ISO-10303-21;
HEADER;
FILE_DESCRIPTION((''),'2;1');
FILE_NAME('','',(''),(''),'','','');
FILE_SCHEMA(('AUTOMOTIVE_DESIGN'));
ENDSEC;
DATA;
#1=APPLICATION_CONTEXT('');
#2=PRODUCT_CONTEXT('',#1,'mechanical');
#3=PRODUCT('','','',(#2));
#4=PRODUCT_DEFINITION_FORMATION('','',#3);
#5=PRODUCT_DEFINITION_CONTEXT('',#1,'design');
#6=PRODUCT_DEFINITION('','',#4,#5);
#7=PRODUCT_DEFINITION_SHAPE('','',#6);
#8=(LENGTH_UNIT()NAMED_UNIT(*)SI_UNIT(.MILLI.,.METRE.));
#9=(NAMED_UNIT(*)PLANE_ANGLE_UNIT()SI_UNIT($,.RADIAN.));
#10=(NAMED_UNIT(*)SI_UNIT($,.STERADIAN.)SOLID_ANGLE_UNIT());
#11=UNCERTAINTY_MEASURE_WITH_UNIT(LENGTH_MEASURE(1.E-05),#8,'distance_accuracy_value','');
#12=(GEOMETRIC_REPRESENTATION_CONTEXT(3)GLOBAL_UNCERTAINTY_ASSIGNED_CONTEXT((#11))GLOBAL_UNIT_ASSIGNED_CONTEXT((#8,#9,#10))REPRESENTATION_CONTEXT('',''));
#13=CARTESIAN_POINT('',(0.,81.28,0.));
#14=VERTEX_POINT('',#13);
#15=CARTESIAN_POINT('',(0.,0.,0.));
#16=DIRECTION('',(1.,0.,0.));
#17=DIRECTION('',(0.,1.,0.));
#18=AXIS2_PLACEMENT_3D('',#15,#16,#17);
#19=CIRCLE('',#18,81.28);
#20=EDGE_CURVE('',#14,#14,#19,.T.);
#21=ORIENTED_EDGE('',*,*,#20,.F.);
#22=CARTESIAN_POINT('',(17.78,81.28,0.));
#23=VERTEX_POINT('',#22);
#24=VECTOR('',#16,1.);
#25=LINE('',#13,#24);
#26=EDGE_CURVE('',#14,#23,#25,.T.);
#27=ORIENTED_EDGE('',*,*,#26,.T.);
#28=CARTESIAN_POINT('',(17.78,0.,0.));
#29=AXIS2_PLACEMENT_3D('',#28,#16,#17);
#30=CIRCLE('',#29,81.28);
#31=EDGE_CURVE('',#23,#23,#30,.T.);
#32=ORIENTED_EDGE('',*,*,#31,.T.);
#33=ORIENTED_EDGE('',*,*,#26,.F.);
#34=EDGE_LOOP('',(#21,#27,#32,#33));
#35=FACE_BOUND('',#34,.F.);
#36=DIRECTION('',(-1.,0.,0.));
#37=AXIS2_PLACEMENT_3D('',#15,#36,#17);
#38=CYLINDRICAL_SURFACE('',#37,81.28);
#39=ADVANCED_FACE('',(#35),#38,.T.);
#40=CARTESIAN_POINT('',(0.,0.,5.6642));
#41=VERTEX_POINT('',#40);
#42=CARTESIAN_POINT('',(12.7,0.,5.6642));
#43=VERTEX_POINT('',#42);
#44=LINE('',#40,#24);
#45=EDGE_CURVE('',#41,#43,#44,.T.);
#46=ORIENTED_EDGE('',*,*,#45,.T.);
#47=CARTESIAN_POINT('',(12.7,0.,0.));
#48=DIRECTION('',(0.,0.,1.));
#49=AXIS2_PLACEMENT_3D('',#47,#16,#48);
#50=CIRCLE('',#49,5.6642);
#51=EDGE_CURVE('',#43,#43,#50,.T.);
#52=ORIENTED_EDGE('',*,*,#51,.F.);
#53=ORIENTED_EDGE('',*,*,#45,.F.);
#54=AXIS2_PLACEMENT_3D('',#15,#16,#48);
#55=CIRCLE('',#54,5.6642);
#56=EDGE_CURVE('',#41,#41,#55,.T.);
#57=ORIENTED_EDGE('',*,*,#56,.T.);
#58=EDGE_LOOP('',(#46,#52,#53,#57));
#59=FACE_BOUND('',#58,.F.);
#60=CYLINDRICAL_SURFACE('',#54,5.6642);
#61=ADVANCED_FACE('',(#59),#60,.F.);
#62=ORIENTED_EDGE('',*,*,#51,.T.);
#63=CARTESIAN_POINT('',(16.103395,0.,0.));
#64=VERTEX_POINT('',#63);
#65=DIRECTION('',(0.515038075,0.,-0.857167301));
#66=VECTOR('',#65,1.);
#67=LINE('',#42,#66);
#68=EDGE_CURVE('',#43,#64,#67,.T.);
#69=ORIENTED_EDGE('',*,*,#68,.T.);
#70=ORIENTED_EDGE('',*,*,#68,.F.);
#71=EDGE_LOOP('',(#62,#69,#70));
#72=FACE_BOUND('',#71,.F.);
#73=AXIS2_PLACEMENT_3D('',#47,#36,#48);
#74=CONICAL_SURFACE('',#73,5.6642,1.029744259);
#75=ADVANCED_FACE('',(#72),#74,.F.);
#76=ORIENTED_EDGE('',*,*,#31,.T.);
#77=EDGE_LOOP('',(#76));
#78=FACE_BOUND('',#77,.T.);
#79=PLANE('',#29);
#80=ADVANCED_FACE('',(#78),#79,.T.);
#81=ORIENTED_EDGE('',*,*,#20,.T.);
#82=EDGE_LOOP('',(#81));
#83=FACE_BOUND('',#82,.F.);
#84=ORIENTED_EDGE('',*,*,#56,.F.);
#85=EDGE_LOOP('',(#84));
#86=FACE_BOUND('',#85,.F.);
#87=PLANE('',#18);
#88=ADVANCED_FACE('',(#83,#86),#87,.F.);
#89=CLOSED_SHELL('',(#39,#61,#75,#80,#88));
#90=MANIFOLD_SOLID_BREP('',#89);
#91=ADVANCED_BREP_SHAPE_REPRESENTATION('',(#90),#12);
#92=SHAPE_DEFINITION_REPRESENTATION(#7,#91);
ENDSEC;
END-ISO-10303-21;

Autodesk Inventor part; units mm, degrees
ref_plane "YZ Plane" through (0, 0, 0) normal (1, 0, 0) x (0, 1, 0)
ref_plane "XZ Plane" through (0, 0, 0) normal (0, 1, 0) x (-1, 0, 0)
ref_plane "XY Plane" through (0, 0, 0) normal (0, 0, 1) x (1, 0, 0)
sketch "Sketch1" plane through (0, 0, 0) normal (1, 0, 0) x (0, 1, 0)
  circle A0 centre (0, 0) radius 81.28
  dimension "d0" = 162.56
extrude "Extrusion1" add sketch "Sketch1" along normal blind 17.78
sketch "Sketch2" plane through (0, 0, 0) normal (-1, 0, 0) x (0, 0, 1)
  circle A0 centre (0, 0) radius 81.28 projected
hole "Hole1" at (0, 0, 0) direction (1, 0, 0) diameter 11.3284 depth 12.7 tip angle 118 thread size "1/2-20 UNF" class "2B" standard "ANSI Unified Screw Threads"
equation "\"BendRadius\" = Thickness"
equation "\"BendReliefWidth\" = Thickness"
equation "\"BendReliefDepth\" = 0.5 * Thickness"
equation "\"CornerReliefSize\" = 4 * Thickness"
equation "\"MinimumRemnant\" = 2 * Thickness"
equation "\"TransitionRadius\" = BendRadius"
equation "\"JacobiRadiusSize\" = BendRadius"
equation "\"GapSize\" = Thickness"
equation "\"Thickness\" = 3.048"
properties part number "Electrode_v_1" material "Steel, Chrome Plated"
